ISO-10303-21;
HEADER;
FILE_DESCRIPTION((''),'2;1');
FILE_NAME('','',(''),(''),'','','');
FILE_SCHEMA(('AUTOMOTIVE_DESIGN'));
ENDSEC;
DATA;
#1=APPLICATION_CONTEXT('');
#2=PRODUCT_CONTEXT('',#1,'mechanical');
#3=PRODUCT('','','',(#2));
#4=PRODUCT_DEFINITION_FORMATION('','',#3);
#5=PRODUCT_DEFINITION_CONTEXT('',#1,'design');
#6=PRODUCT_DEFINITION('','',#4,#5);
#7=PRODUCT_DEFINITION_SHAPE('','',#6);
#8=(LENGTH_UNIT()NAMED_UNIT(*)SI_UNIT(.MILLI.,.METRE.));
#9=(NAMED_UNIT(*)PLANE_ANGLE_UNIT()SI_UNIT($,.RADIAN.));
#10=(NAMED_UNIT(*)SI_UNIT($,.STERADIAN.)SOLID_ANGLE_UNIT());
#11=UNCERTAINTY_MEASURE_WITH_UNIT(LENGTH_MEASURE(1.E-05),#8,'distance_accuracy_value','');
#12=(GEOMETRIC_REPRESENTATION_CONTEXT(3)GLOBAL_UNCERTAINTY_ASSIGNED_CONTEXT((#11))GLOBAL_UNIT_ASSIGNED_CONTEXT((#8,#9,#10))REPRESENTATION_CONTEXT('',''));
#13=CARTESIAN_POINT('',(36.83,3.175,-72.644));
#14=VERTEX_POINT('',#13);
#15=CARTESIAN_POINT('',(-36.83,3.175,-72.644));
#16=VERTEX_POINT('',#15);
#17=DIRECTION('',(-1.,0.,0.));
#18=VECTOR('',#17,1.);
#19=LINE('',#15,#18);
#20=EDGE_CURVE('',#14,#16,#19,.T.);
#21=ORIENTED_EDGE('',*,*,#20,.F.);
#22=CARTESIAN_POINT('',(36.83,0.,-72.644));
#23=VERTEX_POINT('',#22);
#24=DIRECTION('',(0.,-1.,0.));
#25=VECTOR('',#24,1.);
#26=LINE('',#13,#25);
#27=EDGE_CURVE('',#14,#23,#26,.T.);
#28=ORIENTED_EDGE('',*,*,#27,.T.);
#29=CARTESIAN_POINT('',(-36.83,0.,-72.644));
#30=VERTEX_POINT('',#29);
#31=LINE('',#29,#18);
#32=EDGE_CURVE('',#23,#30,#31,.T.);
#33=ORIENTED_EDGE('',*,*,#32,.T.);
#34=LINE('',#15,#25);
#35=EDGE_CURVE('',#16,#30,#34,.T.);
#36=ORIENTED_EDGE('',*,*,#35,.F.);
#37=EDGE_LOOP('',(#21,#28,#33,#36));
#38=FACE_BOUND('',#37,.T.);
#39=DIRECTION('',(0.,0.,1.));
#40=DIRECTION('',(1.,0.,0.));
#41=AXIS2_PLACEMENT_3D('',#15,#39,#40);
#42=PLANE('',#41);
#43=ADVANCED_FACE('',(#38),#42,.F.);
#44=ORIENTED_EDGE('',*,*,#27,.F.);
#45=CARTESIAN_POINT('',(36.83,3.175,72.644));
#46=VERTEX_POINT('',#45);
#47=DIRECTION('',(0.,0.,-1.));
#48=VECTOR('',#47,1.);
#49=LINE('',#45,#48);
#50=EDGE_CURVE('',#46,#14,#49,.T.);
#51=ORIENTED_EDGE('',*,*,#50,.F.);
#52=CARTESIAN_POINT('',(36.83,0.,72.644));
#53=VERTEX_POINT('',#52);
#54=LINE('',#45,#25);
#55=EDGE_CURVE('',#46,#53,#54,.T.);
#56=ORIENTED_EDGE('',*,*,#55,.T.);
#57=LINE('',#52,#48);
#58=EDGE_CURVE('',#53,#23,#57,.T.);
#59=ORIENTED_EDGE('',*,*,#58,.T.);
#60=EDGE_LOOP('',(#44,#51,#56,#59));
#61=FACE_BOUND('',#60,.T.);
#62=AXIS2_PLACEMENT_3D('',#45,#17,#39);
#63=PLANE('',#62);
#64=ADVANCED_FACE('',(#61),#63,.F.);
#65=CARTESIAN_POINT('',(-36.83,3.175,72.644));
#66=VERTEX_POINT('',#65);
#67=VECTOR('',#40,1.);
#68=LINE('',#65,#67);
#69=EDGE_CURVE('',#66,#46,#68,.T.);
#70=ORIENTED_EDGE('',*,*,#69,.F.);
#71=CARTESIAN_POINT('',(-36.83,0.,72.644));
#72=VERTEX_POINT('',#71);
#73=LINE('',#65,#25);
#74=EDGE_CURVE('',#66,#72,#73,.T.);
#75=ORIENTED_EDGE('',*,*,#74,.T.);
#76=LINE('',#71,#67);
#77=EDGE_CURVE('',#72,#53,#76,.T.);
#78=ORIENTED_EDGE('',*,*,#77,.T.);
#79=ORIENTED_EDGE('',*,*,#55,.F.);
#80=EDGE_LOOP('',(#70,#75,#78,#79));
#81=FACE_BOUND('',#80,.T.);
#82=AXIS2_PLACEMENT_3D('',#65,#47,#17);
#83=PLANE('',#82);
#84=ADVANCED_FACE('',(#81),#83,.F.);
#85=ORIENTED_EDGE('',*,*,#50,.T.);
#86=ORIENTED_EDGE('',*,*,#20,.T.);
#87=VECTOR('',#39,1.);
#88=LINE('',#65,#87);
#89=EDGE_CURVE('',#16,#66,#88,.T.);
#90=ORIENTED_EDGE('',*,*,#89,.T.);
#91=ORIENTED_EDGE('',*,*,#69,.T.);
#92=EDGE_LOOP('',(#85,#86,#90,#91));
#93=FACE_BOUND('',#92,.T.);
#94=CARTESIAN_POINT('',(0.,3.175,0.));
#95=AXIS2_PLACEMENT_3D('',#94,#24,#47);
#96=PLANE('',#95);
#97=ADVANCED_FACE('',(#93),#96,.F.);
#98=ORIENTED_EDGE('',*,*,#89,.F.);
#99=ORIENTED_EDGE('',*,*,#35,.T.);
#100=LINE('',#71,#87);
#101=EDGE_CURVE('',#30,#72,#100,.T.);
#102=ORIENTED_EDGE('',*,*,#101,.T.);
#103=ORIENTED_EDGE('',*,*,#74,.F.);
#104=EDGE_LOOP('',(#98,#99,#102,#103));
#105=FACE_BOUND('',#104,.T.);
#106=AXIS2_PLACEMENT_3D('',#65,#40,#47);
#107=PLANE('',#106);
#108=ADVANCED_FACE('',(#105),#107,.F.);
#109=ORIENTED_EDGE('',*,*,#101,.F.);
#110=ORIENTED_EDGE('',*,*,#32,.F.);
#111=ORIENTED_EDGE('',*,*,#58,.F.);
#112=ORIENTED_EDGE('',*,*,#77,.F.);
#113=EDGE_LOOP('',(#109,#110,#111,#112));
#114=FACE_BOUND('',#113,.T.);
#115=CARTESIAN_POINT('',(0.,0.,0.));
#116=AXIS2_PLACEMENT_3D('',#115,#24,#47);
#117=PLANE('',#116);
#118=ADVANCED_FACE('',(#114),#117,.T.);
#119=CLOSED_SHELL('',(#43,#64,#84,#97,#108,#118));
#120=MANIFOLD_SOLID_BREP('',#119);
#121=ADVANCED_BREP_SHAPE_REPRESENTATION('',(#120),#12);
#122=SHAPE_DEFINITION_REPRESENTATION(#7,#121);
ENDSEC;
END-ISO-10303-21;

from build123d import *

# Parameters (mm, degrees)
SKETCH2_W           = 73.66
SKETCH2_H           = 145.288
BOSS_EXTRUDE1_DEPTH = 3.175


with BuildPart() as part:
    # Sketch2 → Boss-Extrude1 (new body)
    with BuildSketch(Plane(origin=(0, 0, 0), x_dir=(1, 0, 0), z_dir=(0, 1, 0))):
        Rectangle(SKETCH2_W, SKETCH2_H)
    extrude(amount=BOSS_EXTRUDE1_DEPTH)


solid = part.part
